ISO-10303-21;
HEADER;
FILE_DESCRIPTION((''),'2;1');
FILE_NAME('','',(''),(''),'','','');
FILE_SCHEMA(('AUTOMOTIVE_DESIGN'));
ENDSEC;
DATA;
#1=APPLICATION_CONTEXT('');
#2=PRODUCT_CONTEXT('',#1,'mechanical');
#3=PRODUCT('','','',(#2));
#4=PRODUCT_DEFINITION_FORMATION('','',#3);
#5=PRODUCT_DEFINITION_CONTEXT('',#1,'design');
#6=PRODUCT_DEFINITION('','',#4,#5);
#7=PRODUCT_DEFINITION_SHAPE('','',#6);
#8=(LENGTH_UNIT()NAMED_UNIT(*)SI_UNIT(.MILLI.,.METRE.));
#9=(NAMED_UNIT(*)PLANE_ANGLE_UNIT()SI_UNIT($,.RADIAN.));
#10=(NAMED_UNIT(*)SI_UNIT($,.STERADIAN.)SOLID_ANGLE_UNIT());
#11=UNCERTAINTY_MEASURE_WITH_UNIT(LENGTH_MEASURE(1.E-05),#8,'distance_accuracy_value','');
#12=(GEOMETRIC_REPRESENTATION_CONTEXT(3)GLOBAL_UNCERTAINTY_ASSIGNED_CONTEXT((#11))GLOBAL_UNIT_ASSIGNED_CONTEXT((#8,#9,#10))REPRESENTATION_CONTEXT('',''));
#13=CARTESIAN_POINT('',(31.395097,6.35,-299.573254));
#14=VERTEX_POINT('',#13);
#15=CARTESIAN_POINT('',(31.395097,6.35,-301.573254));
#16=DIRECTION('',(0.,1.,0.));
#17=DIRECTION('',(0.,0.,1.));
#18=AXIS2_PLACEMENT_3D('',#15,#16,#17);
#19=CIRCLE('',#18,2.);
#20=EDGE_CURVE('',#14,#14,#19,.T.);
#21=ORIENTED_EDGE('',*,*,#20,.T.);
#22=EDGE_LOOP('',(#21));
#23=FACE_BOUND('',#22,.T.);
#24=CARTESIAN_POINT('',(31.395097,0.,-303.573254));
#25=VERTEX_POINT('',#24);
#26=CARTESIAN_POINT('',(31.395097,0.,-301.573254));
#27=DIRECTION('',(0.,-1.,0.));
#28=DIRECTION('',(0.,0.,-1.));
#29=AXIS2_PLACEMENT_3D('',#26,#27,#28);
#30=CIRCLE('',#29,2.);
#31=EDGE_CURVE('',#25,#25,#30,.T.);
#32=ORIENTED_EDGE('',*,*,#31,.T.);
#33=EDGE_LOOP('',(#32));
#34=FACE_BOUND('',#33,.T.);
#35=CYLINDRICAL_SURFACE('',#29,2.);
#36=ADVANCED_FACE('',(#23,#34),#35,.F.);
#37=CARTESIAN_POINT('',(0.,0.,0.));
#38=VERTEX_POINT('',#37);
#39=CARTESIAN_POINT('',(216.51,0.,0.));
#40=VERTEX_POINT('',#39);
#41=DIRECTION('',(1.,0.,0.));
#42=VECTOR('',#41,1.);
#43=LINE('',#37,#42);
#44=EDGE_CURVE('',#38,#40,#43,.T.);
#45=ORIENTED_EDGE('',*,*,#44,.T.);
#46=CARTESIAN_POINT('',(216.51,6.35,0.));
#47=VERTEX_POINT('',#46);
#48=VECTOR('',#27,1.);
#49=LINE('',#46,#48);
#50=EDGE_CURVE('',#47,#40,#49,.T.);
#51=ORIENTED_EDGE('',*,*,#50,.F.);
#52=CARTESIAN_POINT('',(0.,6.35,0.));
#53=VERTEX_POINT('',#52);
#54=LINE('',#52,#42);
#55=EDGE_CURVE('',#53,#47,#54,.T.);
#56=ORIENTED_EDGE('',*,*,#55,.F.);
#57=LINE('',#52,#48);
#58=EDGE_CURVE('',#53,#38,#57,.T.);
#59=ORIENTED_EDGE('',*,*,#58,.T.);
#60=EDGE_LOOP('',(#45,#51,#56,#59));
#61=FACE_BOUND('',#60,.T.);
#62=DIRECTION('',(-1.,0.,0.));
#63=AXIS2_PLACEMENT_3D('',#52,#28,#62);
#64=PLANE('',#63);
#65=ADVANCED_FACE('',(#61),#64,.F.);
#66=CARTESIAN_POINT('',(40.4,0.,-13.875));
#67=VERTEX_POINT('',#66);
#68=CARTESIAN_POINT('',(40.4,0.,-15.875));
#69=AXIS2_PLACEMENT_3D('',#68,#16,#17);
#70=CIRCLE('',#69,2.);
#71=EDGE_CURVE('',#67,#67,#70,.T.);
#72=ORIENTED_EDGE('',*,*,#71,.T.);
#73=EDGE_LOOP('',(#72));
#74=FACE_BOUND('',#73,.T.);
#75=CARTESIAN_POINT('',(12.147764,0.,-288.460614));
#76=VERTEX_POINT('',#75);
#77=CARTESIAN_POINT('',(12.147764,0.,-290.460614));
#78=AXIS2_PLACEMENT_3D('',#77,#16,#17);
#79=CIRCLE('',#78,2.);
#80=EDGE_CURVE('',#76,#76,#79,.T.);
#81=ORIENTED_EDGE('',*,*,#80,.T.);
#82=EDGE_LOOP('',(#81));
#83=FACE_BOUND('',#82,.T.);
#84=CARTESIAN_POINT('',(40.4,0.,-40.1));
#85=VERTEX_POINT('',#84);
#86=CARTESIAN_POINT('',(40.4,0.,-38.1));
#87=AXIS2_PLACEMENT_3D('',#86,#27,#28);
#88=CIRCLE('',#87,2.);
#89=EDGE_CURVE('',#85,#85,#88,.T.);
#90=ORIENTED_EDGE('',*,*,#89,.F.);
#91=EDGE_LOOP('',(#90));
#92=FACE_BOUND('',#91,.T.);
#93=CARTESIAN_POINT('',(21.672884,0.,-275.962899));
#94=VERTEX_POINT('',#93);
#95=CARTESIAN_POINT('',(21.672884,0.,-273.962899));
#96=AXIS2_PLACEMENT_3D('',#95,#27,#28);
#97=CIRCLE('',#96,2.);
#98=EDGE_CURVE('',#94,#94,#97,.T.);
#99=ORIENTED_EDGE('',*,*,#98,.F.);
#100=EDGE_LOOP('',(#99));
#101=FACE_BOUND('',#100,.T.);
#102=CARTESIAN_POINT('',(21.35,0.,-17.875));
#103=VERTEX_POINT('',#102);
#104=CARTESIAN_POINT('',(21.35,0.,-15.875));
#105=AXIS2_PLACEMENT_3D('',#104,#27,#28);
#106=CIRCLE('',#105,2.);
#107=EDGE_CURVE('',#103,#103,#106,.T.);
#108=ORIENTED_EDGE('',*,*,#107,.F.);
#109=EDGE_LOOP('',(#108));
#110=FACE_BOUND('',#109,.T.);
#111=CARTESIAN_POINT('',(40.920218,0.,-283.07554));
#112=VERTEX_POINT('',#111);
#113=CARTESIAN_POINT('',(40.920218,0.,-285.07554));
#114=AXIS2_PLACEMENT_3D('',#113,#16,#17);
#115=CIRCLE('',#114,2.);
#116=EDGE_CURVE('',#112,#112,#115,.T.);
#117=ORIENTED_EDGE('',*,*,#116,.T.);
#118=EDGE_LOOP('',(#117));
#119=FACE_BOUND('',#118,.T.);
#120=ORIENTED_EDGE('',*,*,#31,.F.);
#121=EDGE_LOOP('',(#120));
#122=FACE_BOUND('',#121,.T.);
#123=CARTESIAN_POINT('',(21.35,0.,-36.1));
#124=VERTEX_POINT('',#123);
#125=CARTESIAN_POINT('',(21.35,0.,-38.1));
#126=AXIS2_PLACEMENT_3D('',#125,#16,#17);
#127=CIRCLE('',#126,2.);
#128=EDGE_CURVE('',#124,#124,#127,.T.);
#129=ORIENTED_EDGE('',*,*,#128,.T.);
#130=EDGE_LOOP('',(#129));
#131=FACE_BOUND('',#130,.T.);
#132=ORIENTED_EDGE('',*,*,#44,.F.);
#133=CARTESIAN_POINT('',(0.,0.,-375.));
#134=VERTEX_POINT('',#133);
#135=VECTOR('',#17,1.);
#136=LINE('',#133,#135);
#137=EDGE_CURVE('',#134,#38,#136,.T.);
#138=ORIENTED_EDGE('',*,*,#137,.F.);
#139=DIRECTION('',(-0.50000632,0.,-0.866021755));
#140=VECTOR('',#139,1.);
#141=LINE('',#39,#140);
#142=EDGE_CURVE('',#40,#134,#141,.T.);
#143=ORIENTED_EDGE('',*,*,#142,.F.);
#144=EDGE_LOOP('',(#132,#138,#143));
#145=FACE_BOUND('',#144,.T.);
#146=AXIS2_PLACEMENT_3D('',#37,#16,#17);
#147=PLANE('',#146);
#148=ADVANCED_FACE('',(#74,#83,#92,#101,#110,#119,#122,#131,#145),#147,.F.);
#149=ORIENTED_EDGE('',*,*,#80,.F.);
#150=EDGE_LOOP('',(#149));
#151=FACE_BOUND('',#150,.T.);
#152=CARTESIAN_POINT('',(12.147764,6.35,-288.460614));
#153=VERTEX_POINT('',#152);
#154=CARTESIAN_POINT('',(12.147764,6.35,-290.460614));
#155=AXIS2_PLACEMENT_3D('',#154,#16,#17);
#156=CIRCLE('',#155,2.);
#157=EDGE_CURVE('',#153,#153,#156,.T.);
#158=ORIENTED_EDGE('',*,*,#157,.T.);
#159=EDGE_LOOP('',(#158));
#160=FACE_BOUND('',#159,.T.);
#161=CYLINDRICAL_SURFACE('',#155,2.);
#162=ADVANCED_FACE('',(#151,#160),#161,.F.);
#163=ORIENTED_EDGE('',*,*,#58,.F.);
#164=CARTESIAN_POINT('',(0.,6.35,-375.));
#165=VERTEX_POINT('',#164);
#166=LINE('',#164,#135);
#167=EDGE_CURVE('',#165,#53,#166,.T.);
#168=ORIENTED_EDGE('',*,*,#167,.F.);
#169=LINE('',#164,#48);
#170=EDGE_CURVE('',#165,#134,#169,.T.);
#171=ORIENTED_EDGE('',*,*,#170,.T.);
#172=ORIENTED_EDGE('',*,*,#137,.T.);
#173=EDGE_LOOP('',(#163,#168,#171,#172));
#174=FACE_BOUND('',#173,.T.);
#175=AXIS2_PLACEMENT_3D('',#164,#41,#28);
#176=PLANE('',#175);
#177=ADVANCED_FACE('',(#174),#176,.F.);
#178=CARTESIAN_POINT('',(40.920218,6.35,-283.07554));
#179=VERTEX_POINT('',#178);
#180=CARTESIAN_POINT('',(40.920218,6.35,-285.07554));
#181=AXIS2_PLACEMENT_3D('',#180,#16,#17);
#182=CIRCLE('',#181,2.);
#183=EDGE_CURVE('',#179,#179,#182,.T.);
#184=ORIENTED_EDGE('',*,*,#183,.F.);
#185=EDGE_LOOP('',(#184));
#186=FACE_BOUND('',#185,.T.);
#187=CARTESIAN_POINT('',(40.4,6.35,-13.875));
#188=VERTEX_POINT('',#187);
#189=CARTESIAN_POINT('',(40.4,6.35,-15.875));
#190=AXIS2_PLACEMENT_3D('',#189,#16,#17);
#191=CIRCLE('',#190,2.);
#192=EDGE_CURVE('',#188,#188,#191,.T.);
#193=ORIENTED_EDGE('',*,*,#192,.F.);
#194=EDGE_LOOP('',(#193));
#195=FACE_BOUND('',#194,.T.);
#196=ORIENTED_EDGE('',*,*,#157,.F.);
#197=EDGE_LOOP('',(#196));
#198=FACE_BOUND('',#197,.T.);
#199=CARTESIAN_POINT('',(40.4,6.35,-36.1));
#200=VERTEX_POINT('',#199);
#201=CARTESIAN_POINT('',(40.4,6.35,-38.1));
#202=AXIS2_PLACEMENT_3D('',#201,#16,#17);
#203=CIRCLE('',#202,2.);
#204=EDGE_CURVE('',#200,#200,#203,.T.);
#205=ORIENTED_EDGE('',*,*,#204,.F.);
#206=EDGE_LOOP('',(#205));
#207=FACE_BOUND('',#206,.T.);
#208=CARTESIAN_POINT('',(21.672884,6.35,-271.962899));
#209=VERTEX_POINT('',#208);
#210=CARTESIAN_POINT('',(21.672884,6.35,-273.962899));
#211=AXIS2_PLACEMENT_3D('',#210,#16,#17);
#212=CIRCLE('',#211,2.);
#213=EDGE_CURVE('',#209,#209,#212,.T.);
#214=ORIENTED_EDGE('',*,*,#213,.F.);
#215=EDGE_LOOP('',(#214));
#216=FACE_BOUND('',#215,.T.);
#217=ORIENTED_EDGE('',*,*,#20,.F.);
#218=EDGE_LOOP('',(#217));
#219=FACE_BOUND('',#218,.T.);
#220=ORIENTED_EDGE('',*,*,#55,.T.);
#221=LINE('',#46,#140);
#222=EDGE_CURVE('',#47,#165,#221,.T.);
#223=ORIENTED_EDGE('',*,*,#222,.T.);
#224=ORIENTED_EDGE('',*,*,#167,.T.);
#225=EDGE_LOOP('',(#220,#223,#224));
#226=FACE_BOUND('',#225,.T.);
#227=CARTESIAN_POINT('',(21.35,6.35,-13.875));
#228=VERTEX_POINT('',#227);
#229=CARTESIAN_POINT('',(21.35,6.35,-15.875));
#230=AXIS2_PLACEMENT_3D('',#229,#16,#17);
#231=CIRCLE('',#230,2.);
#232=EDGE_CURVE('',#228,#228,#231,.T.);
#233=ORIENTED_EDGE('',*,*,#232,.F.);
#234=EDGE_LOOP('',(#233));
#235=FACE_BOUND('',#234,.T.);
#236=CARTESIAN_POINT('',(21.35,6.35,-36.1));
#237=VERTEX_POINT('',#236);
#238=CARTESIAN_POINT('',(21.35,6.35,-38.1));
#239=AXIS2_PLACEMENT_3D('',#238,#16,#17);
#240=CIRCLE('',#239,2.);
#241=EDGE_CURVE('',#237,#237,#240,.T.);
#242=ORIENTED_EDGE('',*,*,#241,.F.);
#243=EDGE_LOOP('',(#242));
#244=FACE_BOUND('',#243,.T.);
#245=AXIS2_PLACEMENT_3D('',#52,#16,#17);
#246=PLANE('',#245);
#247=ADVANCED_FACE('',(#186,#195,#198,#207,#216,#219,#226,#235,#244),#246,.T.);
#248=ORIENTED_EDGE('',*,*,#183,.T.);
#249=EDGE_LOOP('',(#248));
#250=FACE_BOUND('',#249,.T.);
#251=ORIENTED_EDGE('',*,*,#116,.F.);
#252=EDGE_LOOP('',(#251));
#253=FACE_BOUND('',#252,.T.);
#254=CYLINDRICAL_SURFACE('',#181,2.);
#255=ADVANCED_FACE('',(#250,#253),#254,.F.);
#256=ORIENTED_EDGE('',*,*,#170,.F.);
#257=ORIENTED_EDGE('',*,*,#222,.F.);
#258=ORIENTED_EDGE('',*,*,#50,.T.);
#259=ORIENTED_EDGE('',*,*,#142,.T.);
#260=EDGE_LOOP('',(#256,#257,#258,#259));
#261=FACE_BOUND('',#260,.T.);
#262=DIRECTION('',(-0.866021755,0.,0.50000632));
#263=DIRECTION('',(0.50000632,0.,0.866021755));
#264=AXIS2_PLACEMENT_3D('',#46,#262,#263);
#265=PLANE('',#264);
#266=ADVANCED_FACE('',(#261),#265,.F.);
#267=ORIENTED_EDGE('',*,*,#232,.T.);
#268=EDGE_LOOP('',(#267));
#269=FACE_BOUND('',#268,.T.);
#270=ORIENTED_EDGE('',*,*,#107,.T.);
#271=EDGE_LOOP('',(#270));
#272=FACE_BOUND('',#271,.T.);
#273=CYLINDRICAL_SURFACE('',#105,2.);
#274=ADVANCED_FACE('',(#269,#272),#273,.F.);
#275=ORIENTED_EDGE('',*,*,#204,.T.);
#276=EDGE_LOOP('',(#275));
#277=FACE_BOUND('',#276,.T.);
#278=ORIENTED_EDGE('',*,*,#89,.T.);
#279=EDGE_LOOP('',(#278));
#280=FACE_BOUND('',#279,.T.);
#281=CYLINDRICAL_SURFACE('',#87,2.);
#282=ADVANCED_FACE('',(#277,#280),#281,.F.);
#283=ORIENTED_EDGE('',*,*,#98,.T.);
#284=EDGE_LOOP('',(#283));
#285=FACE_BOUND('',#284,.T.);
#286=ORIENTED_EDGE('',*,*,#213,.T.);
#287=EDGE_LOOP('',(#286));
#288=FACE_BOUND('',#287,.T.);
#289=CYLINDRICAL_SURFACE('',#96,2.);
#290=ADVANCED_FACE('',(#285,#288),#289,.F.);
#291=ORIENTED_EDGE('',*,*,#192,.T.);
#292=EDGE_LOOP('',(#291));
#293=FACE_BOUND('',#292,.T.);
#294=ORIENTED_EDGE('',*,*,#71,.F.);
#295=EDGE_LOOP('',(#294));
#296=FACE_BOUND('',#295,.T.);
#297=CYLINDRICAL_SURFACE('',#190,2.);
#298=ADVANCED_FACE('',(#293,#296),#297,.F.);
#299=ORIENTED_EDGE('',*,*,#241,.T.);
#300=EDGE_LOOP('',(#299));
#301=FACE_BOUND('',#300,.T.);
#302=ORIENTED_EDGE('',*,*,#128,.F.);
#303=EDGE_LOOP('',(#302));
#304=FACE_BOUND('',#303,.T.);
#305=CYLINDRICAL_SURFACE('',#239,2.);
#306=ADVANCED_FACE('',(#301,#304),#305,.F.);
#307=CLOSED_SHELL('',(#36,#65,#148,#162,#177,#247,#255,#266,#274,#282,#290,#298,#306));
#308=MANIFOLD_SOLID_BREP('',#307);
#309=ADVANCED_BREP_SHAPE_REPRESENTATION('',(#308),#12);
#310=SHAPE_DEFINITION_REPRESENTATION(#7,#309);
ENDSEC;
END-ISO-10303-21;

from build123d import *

# Parameters (mm, degrees)
BOSS_EXTRUDE1_DEPTH          = 6.35
F_4_0_4_DIAMETER_HOLE1_D     = 4
F_4_0_4_DIAMETER_HOLE1_DEPTH = 10
F_4_0_4_DIAMETER_HOLE1_TIP   = 1.201721238
F_4_0_4_DIAMETER_HOLE2_D     = 4
F_4_0_4_DIAMETER_HOLE2_DEPTH = 10
F_4_0_4_DIAMETER_HOLE2_TIP   = 1.201721238


with BuildPart() as part:
    # Sketch1 → Boss-Extrude1 (new body)
    with BuildSketch(Plane(origin=(0, 0, 0), x_dir=(1, 0, 0), z_dir=(0, 1, 0))):
        Polygon((0, 0), (216.51, 0), (0, 375), align=None)
    extrude(amount=BOSS_EXTRUDE1_DEPTH)

    # Ø4.0 (4) Diameter Hole1
    with Locations(Plane(origin=(31.757248956, 6.35, -326.345678088), x_dir=(0.50000632, 0, 0.866021755), z_dir=(0, 1, 0))):
        with Locations((21.272379971, -34.925), (40.322379971, -12.7), (244.423337674, -153.137564848), (273.195791575, -147.752490889)):
            Hole(F_4_0_4_DIAMETER_HOLE1_D / 2, depth=F_4_0_4_DIAMETER_HOLE1_DEPTH)
            with Locations((0, 0, -(F_4_0_4_DIAMETER_HOLE1_DEPTH + F_4_0_4_DIAMETER_HOLE1_TIP / 2))):  # 118° drill point
                Cone(0, F_4_0_4_DIAMETER_HOLE1_D / 2, F_4_0_4_DIAMETER_HOLE1_TIP, mode=Mode.SUBTRACT)

    # Ø4.0 (4) Diameter Hole2
    with Locations(Plane(origin=(31.757248956, 0, -326.345678088), x_dir=(-0.50000632, 0, -0.866021755), z_dir=(0, -1, 0))):
        with Locations((-21.272379971, -12.7), (-40.322379971, -34.925), (-253.948458076, -136.639850421), (-263.670671173, -164.250205317)):
            Hole(F_4_0_4_DIAMETER_HOLE2_D / 2, depth=F_4_0_4_DIAMETER_HOLE2_DEPTH)
            with Locations((0, 0, -(F_4_0_4_DIAMETER_HOLE2_DEPTH + F_4_0_4_DIAMETER_HOLE2_TIP / 2))):  # 118° drill point
                Cone(0, F_4_0_4_DIAMETER_HOLE2_D / 2, F_4_0_4_DIAMETER_HOLE2_TIP, mode=Mode.SUBTRACT)


solid = part.part
